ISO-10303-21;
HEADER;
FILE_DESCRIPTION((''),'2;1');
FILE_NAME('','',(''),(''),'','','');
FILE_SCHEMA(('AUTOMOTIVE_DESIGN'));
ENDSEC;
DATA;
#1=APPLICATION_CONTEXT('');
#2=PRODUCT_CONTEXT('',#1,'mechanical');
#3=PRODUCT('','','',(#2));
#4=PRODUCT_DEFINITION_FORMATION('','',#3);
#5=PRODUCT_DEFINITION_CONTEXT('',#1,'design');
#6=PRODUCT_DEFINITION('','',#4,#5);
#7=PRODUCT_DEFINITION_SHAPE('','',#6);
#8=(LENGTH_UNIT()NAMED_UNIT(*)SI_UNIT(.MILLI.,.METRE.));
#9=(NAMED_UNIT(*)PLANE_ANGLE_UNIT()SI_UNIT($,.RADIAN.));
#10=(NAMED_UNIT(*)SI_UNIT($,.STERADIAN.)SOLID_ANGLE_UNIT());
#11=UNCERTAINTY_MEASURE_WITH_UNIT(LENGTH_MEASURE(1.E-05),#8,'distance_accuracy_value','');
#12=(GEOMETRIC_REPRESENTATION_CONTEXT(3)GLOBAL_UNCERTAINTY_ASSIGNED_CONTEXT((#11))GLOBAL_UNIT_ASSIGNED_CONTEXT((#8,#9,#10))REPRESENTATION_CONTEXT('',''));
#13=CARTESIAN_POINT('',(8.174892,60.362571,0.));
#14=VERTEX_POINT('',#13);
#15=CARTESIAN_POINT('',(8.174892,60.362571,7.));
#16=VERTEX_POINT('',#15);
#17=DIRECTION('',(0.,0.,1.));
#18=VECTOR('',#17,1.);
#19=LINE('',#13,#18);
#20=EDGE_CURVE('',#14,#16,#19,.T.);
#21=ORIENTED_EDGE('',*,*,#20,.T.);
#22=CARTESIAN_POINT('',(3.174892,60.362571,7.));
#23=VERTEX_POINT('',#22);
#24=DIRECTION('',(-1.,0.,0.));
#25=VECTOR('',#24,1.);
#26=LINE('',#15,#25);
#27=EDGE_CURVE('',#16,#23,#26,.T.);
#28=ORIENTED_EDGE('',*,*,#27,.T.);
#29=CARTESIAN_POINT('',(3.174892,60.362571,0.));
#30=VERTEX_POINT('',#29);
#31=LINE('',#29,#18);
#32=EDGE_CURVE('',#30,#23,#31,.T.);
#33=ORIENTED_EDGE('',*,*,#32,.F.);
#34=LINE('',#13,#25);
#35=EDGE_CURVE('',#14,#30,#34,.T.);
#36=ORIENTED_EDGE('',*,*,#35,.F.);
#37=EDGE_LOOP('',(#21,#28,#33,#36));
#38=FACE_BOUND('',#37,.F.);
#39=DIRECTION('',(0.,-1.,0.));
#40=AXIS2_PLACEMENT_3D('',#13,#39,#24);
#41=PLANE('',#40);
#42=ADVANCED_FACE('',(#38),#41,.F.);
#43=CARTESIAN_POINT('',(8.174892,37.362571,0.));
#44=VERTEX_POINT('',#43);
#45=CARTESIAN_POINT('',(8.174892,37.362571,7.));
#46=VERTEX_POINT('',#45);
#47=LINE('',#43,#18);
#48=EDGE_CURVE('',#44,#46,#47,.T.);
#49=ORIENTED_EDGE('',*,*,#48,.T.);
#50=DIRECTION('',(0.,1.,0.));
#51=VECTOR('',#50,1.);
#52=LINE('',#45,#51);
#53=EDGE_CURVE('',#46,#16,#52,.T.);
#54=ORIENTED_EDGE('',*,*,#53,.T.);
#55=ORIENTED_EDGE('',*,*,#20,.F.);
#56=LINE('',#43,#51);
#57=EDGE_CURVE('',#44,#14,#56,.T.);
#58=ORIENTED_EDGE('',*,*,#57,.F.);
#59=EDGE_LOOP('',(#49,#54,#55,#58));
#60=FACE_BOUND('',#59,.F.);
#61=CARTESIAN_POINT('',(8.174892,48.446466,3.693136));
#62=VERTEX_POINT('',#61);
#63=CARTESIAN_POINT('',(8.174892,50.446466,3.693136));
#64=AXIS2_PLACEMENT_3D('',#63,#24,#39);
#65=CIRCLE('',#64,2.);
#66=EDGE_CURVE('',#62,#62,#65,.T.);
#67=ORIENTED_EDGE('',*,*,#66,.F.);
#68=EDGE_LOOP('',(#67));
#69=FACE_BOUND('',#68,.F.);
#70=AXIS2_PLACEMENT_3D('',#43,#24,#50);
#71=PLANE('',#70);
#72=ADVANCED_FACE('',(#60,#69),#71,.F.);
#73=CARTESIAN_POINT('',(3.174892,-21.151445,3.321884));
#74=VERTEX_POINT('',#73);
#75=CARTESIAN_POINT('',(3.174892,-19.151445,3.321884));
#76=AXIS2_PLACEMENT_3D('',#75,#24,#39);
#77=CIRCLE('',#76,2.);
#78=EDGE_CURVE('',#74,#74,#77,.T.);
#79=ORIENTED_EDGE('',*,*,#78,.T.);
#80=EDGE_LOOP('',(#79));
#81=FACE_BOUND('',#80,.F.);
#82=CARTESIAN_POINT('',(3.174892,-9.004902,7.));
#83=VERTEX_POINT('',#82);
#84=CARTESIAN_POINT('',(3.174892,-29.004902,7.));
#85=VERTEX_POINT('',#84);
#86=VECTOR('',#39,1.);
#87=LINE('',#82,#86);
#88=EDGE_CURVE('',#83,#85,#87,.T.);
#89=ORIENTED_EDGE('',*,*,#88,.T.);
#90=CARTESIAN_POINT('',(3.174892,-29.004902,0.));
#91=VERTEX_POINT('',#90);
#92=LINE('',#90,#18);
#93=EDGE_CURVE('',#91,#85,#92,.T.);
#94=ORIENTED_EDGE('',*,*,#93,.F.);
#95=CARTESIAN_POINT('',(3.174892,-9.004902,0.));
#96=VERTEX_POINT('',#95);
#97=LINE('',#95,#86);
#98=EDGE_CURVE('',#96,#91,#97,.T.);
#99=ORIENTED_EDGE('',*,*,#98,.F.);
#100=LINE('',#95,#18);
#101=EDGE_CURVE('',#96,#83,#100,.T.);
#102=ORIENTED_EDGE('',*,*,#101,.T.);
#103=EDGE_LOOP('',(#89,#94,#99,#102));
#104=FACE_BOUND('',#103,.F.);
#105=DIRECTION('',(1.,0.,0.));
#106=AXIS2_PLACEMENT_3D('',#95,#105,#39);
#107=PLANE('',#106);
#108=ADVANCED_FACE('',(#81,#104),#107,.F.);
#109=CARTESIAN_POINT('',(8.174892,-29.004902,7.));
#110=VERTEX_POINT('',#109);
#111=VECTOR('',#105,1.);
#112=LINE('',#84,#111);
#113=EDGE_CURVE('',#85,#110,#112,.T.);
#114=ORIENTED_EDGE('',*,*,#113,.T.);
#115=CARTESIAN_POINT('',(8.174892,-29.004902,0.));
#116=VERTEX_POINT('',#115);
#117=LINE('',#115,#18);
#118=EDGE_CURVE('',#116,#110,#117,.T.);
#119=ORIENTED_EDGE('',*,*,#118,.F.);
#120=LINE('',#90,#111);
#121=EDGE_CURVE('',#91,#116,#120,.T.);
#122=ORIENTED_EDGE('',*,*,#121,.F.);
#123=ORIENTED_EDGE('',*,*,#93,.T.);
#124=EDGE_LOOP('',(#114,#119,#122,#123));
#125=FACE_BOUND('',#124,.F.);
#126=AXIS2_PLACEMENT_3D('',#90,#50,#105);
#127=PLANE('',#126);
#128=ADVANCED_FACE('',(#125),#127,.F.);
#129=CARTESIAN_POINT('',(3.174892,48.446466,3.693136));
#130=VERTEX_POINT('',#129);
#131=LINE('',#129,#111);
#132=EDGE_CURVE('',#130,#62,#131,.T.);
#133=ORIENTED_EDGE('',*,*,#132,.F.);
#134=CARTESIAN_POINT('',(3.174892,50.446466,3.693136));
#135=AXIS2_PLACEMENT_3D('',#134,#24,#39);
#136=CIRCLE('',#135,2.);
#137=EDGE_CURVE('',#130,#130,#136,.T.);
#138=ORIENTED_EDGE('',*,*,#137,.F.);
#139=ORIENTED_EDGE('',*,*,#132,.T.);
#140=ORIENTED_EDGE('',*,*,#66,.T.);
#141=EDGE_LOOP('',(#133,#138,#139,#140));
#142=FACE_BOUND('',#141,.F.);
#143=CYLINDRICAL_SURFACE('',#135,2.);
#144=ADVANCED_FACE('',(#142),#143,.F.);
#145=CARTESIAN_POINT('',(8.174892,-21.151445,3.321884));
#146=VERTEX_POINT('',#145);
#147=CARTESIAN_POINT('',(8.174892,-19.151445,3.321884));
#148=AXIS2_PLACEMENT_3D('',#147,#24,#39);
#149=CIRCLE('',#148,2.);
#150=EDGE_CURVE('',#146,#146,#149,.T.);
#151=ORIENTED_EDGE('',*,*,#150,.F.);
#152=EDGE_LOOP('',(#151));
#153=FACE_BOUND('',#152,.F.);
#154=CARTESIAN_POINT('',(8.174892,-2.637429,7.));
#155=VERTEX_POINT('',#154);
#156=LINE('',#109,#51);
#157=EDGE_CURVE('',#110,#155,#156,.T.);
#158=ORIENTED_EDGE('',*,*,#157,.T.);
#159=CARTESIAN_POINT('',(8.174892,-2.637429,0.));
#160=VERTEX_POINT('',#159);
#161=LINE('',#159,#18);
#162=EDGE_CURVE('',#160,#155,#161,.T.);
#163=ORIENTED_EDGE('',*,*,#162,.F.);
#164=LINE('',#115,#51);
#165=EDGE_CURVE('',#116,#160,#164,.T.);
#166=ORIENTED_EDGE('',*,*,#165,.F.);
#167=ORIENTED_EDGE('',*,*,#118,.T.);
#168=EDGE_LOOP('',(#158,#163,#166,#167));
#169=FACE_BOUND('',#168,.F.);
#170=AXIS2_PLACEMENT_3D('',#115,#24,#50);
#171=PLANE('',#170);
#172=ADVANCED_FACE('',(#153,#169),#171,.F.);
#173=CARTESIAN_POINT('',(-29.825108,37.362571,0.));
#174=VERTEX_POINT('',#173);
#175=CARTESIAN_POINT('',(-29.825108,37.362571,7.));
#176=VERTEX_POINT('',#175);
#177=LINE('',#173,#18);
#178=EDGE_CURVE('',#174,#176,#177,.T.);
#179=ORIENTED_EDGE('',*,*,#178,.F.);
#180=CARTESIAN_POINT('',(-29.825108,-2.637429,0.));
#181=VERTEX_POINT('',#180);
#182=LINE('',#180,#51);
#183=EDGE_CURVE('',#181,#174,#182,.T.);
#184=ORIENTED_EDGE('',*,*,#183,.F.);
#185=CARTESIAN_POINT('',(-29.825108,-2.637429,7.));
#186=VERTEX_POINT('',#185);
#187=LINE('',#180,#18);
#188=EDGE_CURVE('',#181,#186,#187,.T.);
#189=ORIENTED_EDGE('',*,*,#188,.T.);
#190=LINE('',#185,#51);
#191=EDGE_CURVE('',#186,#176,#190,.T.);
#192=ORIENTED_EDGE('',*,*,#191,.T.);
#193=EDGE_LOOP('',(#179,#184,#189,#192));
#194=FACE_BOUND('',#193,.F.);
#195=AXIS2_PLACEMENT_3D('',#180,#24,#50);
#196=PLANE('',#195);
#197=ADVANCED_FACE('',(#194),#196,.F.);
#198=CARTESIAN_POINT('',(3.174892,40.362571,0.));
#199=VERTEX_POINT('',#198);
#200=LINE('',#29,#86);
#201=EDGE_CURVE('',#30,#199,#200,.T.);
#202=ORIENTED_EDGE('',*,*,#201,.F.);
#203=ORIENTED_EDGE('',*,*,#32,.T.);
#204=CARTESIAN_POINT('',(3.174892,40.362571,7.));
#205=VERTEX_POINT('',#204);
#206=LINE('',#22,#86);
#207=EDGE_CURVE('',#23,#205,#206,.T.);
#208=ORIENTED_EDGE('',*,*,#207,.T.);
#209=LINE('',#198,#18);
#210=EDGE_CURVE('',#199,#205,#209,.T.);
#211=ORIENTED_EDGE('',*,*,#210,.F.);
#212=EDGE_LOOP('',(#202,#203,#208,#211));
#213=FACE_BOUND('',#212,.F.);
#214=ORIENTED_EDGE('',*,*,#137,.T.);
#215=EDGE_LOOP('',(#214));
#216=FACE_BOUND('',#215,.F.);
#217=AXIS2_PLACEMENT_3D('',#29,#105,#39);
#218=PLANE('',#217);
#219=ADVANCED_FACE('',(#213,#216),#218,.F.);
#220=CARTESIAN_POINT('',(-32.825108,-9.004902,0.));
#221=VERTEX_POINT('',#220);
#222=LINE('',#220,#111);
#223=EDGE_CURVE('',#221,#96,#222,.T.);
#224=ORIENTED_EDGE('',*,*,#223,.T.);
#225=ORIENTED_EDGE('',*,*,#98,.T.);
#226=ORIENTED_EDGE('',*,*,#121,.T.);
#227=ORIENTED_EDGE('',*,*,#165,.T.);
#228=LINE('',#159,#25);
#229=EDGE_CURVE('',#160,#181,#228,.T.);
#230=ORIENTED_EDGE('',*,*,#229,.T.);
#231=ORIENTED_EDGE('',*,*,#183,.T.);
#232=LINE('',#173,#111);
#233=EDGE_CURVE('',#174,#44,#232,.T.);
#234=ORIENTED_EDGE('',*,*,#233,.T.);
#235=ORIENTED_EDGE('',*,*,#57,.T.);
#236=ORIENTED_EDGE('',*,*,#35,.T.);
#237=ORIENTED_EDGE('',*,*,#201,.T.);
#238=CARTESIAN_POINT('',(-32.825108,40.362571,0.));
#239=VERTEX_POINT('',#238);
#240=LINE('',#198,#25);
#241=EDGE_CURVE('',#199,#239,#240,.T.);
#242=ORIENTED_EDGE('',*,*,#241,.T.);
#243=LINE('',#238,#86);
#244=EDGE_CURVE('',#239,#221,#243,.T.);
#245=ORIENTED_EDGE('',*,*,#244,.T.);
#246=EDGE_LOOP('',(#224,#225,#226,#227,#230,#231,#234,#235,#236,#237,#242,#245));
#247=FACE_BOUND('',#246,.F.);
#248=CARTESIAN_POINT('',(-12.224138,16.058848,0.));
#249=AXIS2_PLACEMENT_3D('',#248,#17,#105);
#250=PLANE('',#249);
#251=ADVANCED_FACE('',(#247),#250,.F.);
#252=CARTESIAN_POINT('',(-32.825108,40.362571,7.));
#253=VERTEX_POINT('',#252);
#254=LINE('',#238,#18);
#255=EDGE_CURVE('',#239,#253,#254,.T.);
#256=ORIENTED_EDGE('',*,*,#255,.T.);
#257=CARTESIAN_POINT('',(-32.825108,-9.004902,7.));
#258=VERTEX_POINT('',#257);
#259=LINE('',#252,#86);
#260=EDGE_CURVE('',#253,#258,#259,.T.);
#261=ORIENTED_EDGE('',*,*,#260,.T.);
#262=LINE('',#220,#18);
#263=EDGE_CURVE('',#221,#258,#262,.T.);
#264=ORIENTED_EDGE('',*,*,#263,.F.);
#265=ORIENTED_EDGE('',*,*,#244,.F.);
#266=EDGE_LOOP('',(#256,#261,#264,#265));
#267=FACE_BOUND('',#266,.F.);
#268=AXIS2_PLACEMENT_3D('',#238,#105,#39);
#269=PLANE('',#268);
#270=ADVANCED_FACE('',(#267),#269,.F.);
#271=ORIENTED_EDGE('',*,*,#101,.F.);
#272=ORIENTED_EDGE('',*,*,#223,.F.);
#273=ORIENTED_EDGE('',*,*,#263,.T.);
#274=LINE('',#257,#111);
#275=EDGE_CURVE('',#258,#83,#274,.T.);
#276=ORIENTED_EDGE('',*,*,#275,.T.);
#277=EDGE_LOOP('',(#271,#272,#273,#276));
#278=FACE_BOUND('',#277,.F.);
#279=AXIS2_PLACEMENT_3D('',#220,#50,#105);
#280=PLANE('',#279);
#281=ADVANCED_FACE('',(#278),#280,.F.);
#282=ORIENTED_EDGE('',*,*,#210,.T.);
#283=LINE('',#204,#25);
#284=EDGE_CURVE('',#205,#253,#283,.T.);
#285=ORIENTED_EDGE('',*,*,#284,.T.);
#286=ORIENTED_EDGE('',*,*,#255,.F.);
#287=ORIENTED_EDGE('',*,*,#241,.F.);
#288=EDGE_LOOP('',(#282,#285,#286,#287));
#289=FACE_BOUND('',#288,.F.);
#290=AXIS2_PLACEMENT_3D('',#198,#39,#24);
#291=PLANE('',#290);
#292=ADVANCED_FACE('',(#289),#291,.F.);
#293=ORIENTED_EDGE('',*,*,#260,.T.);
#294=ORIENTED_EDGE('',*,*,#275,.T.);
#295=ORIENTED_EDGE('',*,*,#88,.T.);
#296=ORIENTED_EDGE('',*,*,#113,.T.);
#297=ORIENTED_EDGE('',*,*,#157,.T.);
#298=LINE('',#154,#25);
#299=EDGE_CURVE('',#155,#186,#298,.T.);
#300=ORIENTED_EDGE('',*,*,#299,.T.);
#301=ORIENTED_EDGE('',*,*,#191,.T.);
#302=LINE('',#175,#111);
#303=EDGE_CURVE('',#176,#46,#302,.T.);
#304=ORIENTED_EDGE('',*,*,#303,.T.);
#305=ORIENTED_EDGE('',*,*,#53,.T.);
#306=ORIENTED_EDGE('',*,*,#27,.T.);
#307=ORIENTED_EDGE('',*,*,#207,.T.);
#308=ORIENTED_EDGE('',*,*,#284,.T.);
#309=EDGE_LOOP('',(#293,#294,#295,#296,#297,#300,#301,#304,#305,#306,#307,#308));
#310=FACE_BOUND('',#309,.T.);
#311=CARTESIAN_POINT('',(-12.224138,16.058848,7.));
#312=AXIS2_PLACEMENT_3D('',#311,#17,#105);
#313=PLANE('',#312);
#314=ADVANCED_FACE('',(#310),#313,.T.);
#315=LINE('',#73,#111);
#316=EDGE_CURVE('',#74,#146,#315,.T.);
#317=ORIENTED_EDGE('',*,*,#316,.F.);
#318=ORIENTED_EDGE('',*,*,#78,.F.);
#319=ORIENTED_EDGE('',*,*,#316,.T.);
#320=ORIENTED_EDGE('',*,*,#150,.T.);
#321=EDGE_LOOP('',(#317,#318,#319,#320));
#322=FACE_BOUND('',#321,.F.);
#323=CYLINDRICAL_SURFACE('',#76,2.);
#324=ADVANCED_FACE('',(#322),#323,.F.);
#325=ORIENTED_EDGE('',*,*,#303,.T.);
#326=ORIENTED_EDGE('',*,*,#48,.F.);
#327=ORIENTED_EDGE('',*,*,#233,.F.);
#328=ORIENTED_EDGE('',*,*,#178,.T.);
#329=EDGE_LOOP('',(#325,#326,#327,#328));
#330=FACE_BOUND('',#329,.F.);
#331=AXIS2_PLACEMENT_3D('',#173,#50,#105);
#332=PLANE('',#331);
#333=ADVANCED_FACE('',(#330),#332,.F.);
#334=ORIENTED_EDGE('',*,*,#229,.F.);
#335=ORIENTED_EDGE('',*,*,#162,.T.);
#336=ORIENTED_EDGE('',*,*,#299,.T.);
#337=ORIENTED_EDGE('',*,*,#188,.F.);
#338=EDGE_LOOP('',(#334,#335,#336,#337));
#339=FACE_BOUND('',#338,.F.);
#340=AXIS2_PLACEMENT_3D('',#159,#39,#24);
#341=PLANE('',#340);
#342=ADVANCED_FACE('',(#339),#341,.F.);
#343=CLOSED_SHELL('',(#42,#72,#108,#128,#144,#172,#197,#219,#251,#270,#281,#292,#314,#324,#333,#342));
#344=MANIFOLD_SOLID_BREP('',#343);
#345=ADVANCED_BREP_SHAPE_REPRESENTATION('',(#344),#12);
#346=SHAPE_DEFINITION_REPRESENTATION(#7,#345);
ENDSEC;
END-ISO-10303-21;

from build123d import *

# Parameters (mm, degrees)
PAD_DEPTH   = 7
SKETCH001_R = 2
HOLE_DEPTH  = 25


with BuildPart() as part:
    # Sketch → Pad (new body)
    with BuildSketch(Plane.XY):
        Polygon((3.174892, 60.362571), (3.174892, 40.362571), (-32.825108, 40.362571), (-32.825108, -9.004902), (3.174892, -9.004902), (3.174892, -29.004902), (8.174892, -29.004902), (8.174892, -2.637429), (-29.825108, -2.637429), (-29.825108, 37.362571), (8.174892, 37.362571), (8.174892, 60.362571), align=None)
    extrude(amount=PAD_DEPTH)

    # Sketch001 (on Face5 of Pad) → Hole (cut)
    with BuildSketch(Plane(origin=(3.174892, 0, 0), x_dir=(0, -1, 0), z_dir=(-1, 0, 0))):
        with Locations((-50.446466, 3.693136)):
            Circle(SKETCH001_R)
        with Locations((19.151445, 3.321884)):
            Circle(SKETCH001_R)
    extrude(amount=-HOLE_DEPTH, mode=Mode.SUBTRACT)


solid = part.part
